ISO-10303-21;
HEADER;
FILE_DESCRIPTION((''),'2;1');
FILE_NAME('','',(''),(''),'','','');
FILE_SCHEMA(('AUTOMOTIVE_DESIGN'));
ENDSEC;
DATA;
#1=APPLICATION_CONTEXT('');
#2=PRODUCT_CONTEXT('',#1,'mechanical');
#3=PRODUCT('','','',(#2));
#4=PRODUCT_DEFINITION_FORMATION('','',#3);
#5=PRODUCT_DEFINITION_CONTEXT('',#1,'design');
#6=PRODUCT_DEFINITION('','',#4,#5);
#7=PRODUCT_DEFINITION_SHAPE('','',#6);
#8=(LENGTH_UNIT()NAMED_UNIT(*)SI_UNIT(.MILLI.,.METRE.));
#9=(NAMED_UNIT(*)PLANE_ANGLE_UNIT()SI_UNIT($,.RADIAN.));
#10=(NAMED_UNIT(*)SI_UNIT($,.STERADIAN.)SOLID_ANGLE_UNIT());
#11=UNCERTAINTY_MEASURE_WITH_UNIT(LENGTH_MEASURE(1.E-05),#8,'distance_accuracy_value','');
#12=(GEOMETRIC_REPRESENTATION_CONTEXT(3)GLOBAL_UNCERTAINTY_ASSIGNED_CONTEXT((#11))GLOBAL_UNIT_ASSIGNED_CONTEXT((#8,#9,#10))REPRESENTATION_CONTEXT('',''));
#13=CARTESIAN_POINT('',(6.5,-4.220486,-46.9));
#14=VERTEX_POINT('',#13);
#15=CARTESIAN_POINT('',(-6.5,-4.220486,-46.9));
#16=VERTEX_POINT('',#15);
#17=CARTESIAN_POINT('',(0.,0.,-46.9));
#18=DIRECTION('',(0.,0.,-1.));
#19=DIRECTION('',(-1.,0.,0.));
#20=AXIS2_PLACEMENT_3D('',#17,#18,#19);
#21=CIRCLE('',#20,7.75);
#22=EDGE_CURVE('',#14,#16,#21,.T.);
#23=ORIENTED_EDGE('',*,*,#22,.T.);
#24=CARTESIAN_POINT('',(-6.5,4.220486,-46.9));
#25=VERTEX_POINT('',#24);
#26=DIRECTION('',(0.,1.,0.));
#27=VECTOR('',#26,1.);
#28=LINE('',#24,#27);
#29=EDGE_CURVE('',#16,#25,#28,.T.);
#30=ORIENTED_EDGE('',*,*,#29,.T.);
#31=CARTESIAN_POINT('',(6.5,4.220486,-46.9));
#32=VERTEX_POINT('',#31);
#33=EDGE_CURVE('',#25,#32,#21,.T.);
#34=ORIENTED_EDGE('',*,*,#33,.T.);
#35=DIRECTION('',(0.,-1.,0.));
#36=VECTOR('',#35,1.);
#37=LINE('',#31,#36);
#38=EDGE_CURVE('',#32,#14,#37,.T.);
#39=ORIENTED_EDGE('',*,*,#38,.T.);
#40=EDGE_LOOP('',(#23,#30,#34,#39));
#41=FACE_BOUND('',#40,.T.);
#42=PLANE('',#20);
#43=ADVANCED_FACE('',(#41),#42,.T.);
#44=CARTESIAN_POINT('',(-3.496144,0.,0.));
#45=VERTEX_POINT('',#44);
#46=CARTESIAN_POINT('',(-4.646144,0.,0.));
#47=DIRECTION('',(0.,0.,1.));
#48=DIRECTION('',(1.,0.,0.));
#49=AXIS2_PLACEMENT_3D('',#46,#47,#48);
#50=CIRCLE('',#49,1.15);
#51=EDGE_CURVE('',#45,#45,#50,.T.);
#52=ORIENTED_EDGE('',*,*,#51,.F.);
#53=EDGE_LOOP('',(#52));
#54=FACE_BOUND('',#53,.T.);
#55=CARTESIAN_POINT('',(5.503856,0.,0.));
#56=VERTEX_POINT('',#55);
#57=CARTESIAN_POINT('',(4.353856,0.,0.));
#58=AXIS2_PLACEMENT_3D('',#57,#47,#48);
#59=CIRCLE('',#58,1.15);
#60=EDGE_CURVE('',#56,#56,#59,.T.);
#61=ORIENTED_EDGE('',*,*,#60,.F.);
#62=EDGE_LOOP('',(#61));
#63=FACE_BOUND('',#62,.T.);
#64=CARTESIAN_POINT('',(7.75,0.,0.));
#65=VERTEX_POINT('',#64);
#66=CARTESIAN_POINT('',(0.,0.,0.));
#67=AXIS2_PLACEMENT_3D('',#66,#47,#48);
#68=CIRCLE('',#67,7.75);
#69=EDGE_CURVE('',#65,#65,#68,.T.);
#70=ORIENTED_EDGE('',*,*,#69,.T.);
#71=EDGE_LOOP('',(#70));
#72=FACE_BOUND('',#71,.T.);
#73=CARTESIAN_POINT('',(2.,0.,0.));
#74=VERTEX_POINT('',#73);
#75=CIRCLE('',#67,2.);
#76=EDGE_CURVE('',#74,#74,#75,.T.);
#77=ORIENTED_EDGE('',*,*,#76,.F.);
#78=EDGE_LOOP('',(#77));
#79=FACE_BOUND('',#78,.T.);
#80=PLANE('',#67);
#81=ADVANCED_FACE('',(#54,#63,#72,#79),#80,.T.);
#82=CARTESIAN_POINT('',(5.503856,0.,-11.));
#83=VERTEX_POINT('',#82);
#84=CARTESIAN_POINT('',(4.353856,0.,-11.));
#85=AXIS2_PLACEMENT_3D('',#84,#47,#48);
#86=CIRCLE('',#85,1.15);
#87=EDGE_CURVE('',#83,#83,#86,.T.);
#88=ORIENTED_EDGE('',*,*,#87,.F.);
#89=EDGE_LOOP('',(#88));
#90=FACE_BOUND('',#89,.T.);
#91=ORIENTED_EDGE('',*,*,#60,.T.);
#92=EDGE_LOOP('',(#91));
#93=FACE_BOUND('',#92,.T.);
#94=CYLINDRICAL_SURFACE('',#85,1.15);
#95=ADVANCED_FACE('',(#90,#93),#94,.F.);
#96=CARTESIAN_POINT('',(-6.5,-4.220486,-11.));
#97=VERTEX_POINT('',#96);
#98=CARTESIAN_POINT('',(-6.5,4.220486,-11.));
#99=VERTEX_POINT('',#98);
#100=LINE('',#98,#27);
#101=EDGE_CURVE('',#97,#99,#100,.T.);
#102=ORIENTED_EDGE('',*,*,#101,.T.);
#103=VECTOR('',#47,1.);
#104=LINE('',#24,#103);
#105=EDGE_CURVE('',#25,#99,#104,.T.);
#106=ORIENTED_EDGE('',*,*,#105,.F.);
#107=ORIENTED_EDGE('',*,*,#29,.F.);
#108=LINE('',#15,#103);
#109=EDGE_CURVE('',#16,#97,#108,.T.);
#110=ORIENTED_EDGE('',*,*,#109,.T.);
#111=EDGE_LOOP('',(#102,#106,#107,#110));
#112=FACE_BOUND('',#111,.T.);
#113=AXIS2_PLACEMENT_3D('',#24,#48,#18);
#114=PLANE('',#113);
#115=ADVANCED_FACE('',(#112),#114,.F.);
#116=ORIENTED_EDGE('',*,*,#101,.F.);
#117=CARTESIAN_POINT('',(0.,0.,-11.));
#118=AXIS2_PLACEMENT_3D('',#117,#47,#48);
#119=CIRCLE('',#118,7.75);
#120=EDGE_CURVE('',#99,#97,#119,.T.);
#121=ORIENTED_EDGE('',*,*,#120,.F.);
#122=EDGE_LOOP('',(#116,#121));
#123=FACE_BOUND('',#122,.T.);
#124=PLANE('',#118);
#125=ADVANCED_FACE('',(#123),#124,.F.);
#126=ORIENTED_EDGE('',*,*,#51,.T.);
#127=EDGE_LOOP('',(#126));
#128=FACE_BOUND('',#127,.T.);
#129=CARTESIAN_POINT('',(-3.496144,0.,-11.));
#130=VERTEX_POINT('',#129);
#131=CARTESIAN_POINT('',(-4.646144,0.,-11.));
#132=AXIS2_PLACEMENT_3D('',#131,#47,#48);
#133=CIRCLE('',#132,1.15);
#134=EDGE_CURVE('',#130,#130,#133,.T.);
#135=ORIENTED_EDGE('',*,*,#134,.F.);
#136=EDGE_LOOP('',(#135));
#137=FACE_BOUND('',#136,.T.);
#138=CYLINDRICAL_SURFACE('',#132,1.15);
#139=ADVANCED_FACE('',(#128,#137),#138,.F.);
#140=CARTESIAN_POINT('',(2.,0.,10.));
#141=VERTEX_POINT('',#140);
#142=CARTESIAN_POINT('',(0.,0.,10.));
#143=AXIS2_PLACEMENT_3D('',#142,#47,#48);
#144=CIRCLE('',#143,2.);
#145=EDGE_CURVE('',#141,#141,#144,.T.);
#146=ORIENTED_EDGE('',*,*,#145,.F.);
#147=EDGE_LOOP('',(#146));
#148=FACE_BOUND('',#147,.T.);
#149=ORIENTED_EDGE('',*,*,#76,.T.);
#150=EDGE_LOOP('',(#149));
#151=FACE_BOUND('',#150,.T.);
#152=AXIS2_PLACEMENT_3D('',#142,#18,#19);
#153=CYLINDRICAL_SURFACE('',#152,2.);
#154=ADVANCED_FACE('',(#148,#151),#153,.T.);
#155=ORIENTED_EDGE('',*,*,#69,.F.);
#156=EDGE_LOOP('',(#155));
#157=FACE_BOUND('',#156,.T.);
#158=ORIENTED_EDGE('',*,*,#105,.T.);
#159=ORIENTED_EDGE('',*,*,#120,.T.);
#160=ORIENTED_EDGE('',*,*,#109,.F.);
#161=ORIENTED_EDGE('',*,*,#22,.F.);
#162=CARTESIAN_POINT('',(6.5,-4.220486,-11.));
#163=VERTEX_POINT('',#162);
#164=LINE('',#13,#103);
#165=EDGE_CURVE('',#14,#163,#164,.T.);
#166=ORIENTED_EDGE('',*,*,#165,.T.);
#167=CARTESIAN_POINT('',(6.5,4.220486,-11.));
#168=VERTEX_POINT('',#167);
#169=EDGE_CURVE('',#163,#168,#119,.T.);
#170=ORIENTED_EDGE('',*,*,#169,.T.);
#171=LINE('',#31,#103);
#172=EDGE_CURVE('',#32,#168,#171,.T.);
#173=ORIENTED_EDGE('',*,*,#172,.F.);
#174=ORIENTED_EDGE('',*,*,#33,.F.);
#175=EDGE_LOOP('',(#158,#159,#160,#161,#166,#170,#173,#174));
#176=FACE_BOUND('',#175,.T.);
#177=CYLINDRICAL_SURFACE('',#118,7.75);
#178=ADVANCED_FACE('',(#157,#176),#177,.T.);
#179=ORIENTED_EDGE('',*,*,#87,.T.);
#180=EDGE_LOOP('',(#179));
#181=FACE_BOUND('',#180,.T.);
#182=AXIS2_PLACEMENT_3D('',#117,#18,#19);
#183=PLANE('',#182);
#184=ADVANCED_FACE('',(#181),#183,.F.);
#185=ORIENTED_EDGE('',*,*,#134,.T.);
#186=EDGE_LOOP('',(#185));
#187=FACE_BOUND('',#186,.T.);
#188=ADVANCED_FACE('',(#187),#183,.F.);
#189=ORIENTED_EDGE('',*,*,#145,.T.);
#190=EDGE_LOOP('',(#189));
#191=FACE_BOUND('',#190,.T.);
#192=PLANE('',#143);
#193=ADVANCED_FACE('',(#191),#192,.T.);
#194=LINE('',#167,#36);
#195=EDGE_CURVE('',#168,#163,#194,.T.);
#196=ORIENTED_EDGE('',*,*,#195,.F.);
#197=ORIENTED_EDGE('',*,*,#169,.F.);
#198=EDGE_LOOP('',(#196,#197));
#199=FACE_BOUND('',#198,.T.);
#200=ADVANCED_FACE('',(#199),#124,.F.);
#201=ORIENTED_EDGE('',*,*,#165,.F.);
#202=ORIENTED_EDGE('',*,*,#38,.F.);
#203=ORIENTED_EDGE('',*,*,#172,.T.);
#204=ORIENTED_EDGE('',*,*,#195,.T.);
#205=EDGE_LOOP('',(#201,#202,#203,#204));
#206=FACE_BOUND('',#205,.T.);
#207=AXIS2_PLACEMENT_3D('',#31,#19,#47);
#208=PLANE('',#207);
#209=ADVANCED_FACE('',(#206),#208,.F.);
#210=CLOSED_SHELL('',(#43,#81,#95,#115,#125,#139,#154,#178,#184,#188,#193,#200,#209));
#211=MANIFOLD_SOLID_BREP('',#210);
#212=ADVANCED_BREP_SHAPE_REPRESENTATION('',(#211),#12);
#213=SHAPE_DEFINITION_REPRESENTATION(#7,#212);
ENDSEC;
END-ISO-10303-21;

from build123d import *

# Parameters (mm, degrees)
SKETCH_1_R      = 7.75
SKETCH_1_R_2    = 1.15
EXTRUDE_1_DEPTH = 11
EXTRUDE_2_DEPTH = 35.9
SKETCH_3_R      = 2
EXTRUDE_3_DEPTH = 10


with BuildPart() as part:
    # 草图1 → 凸台-拉伸1 (new body)
    with BuildSketch(Plane.XY):
        Circle(SKETCH_1_R)
        with Locations((4.353856496, 0)):
            Circle(SKETCH_1_R_2, mode=Mode.SUBTRACT)
        with Locations((-4.646143504, 0)):
            Circle(SKETCH_1_R_2, mode=Mode.SUBTRACT)
    extrude(amount=-EXTRUDE_1_DEPTH)

    # 草图2 → 凸台-拉伸2 (add)
    with BuildSketch(Plane(origin=(0, 0, -11), x_dir=(-1, 0, 0), z_dir=(0, 0, -1))):
        with BuildLine():
            Line((6.5, 4.220485754), (6.5, -4.220485754))
            ThreePointArc((6.5, -4.220485754), (0, -7.75), (-6.5, -4.220485754))
            Line((-6.5, -4.220485754), (-6.5, 4.220485754))
            ThreePointArc((-6.5, 4.220485754), (0, 7.75), (6.5, 4.220485754))
        make_face()
    extrude(amount=EXTRUDE_2_DEPTH)

    # 草图3 → 凸台-拉伸3 (add)
    with BuildSketch(Plane.XY):
        Circle(SKETCH_3_R)
    extrude(amount=EXTRUDE_3_DEPTH)


solid = part.part
